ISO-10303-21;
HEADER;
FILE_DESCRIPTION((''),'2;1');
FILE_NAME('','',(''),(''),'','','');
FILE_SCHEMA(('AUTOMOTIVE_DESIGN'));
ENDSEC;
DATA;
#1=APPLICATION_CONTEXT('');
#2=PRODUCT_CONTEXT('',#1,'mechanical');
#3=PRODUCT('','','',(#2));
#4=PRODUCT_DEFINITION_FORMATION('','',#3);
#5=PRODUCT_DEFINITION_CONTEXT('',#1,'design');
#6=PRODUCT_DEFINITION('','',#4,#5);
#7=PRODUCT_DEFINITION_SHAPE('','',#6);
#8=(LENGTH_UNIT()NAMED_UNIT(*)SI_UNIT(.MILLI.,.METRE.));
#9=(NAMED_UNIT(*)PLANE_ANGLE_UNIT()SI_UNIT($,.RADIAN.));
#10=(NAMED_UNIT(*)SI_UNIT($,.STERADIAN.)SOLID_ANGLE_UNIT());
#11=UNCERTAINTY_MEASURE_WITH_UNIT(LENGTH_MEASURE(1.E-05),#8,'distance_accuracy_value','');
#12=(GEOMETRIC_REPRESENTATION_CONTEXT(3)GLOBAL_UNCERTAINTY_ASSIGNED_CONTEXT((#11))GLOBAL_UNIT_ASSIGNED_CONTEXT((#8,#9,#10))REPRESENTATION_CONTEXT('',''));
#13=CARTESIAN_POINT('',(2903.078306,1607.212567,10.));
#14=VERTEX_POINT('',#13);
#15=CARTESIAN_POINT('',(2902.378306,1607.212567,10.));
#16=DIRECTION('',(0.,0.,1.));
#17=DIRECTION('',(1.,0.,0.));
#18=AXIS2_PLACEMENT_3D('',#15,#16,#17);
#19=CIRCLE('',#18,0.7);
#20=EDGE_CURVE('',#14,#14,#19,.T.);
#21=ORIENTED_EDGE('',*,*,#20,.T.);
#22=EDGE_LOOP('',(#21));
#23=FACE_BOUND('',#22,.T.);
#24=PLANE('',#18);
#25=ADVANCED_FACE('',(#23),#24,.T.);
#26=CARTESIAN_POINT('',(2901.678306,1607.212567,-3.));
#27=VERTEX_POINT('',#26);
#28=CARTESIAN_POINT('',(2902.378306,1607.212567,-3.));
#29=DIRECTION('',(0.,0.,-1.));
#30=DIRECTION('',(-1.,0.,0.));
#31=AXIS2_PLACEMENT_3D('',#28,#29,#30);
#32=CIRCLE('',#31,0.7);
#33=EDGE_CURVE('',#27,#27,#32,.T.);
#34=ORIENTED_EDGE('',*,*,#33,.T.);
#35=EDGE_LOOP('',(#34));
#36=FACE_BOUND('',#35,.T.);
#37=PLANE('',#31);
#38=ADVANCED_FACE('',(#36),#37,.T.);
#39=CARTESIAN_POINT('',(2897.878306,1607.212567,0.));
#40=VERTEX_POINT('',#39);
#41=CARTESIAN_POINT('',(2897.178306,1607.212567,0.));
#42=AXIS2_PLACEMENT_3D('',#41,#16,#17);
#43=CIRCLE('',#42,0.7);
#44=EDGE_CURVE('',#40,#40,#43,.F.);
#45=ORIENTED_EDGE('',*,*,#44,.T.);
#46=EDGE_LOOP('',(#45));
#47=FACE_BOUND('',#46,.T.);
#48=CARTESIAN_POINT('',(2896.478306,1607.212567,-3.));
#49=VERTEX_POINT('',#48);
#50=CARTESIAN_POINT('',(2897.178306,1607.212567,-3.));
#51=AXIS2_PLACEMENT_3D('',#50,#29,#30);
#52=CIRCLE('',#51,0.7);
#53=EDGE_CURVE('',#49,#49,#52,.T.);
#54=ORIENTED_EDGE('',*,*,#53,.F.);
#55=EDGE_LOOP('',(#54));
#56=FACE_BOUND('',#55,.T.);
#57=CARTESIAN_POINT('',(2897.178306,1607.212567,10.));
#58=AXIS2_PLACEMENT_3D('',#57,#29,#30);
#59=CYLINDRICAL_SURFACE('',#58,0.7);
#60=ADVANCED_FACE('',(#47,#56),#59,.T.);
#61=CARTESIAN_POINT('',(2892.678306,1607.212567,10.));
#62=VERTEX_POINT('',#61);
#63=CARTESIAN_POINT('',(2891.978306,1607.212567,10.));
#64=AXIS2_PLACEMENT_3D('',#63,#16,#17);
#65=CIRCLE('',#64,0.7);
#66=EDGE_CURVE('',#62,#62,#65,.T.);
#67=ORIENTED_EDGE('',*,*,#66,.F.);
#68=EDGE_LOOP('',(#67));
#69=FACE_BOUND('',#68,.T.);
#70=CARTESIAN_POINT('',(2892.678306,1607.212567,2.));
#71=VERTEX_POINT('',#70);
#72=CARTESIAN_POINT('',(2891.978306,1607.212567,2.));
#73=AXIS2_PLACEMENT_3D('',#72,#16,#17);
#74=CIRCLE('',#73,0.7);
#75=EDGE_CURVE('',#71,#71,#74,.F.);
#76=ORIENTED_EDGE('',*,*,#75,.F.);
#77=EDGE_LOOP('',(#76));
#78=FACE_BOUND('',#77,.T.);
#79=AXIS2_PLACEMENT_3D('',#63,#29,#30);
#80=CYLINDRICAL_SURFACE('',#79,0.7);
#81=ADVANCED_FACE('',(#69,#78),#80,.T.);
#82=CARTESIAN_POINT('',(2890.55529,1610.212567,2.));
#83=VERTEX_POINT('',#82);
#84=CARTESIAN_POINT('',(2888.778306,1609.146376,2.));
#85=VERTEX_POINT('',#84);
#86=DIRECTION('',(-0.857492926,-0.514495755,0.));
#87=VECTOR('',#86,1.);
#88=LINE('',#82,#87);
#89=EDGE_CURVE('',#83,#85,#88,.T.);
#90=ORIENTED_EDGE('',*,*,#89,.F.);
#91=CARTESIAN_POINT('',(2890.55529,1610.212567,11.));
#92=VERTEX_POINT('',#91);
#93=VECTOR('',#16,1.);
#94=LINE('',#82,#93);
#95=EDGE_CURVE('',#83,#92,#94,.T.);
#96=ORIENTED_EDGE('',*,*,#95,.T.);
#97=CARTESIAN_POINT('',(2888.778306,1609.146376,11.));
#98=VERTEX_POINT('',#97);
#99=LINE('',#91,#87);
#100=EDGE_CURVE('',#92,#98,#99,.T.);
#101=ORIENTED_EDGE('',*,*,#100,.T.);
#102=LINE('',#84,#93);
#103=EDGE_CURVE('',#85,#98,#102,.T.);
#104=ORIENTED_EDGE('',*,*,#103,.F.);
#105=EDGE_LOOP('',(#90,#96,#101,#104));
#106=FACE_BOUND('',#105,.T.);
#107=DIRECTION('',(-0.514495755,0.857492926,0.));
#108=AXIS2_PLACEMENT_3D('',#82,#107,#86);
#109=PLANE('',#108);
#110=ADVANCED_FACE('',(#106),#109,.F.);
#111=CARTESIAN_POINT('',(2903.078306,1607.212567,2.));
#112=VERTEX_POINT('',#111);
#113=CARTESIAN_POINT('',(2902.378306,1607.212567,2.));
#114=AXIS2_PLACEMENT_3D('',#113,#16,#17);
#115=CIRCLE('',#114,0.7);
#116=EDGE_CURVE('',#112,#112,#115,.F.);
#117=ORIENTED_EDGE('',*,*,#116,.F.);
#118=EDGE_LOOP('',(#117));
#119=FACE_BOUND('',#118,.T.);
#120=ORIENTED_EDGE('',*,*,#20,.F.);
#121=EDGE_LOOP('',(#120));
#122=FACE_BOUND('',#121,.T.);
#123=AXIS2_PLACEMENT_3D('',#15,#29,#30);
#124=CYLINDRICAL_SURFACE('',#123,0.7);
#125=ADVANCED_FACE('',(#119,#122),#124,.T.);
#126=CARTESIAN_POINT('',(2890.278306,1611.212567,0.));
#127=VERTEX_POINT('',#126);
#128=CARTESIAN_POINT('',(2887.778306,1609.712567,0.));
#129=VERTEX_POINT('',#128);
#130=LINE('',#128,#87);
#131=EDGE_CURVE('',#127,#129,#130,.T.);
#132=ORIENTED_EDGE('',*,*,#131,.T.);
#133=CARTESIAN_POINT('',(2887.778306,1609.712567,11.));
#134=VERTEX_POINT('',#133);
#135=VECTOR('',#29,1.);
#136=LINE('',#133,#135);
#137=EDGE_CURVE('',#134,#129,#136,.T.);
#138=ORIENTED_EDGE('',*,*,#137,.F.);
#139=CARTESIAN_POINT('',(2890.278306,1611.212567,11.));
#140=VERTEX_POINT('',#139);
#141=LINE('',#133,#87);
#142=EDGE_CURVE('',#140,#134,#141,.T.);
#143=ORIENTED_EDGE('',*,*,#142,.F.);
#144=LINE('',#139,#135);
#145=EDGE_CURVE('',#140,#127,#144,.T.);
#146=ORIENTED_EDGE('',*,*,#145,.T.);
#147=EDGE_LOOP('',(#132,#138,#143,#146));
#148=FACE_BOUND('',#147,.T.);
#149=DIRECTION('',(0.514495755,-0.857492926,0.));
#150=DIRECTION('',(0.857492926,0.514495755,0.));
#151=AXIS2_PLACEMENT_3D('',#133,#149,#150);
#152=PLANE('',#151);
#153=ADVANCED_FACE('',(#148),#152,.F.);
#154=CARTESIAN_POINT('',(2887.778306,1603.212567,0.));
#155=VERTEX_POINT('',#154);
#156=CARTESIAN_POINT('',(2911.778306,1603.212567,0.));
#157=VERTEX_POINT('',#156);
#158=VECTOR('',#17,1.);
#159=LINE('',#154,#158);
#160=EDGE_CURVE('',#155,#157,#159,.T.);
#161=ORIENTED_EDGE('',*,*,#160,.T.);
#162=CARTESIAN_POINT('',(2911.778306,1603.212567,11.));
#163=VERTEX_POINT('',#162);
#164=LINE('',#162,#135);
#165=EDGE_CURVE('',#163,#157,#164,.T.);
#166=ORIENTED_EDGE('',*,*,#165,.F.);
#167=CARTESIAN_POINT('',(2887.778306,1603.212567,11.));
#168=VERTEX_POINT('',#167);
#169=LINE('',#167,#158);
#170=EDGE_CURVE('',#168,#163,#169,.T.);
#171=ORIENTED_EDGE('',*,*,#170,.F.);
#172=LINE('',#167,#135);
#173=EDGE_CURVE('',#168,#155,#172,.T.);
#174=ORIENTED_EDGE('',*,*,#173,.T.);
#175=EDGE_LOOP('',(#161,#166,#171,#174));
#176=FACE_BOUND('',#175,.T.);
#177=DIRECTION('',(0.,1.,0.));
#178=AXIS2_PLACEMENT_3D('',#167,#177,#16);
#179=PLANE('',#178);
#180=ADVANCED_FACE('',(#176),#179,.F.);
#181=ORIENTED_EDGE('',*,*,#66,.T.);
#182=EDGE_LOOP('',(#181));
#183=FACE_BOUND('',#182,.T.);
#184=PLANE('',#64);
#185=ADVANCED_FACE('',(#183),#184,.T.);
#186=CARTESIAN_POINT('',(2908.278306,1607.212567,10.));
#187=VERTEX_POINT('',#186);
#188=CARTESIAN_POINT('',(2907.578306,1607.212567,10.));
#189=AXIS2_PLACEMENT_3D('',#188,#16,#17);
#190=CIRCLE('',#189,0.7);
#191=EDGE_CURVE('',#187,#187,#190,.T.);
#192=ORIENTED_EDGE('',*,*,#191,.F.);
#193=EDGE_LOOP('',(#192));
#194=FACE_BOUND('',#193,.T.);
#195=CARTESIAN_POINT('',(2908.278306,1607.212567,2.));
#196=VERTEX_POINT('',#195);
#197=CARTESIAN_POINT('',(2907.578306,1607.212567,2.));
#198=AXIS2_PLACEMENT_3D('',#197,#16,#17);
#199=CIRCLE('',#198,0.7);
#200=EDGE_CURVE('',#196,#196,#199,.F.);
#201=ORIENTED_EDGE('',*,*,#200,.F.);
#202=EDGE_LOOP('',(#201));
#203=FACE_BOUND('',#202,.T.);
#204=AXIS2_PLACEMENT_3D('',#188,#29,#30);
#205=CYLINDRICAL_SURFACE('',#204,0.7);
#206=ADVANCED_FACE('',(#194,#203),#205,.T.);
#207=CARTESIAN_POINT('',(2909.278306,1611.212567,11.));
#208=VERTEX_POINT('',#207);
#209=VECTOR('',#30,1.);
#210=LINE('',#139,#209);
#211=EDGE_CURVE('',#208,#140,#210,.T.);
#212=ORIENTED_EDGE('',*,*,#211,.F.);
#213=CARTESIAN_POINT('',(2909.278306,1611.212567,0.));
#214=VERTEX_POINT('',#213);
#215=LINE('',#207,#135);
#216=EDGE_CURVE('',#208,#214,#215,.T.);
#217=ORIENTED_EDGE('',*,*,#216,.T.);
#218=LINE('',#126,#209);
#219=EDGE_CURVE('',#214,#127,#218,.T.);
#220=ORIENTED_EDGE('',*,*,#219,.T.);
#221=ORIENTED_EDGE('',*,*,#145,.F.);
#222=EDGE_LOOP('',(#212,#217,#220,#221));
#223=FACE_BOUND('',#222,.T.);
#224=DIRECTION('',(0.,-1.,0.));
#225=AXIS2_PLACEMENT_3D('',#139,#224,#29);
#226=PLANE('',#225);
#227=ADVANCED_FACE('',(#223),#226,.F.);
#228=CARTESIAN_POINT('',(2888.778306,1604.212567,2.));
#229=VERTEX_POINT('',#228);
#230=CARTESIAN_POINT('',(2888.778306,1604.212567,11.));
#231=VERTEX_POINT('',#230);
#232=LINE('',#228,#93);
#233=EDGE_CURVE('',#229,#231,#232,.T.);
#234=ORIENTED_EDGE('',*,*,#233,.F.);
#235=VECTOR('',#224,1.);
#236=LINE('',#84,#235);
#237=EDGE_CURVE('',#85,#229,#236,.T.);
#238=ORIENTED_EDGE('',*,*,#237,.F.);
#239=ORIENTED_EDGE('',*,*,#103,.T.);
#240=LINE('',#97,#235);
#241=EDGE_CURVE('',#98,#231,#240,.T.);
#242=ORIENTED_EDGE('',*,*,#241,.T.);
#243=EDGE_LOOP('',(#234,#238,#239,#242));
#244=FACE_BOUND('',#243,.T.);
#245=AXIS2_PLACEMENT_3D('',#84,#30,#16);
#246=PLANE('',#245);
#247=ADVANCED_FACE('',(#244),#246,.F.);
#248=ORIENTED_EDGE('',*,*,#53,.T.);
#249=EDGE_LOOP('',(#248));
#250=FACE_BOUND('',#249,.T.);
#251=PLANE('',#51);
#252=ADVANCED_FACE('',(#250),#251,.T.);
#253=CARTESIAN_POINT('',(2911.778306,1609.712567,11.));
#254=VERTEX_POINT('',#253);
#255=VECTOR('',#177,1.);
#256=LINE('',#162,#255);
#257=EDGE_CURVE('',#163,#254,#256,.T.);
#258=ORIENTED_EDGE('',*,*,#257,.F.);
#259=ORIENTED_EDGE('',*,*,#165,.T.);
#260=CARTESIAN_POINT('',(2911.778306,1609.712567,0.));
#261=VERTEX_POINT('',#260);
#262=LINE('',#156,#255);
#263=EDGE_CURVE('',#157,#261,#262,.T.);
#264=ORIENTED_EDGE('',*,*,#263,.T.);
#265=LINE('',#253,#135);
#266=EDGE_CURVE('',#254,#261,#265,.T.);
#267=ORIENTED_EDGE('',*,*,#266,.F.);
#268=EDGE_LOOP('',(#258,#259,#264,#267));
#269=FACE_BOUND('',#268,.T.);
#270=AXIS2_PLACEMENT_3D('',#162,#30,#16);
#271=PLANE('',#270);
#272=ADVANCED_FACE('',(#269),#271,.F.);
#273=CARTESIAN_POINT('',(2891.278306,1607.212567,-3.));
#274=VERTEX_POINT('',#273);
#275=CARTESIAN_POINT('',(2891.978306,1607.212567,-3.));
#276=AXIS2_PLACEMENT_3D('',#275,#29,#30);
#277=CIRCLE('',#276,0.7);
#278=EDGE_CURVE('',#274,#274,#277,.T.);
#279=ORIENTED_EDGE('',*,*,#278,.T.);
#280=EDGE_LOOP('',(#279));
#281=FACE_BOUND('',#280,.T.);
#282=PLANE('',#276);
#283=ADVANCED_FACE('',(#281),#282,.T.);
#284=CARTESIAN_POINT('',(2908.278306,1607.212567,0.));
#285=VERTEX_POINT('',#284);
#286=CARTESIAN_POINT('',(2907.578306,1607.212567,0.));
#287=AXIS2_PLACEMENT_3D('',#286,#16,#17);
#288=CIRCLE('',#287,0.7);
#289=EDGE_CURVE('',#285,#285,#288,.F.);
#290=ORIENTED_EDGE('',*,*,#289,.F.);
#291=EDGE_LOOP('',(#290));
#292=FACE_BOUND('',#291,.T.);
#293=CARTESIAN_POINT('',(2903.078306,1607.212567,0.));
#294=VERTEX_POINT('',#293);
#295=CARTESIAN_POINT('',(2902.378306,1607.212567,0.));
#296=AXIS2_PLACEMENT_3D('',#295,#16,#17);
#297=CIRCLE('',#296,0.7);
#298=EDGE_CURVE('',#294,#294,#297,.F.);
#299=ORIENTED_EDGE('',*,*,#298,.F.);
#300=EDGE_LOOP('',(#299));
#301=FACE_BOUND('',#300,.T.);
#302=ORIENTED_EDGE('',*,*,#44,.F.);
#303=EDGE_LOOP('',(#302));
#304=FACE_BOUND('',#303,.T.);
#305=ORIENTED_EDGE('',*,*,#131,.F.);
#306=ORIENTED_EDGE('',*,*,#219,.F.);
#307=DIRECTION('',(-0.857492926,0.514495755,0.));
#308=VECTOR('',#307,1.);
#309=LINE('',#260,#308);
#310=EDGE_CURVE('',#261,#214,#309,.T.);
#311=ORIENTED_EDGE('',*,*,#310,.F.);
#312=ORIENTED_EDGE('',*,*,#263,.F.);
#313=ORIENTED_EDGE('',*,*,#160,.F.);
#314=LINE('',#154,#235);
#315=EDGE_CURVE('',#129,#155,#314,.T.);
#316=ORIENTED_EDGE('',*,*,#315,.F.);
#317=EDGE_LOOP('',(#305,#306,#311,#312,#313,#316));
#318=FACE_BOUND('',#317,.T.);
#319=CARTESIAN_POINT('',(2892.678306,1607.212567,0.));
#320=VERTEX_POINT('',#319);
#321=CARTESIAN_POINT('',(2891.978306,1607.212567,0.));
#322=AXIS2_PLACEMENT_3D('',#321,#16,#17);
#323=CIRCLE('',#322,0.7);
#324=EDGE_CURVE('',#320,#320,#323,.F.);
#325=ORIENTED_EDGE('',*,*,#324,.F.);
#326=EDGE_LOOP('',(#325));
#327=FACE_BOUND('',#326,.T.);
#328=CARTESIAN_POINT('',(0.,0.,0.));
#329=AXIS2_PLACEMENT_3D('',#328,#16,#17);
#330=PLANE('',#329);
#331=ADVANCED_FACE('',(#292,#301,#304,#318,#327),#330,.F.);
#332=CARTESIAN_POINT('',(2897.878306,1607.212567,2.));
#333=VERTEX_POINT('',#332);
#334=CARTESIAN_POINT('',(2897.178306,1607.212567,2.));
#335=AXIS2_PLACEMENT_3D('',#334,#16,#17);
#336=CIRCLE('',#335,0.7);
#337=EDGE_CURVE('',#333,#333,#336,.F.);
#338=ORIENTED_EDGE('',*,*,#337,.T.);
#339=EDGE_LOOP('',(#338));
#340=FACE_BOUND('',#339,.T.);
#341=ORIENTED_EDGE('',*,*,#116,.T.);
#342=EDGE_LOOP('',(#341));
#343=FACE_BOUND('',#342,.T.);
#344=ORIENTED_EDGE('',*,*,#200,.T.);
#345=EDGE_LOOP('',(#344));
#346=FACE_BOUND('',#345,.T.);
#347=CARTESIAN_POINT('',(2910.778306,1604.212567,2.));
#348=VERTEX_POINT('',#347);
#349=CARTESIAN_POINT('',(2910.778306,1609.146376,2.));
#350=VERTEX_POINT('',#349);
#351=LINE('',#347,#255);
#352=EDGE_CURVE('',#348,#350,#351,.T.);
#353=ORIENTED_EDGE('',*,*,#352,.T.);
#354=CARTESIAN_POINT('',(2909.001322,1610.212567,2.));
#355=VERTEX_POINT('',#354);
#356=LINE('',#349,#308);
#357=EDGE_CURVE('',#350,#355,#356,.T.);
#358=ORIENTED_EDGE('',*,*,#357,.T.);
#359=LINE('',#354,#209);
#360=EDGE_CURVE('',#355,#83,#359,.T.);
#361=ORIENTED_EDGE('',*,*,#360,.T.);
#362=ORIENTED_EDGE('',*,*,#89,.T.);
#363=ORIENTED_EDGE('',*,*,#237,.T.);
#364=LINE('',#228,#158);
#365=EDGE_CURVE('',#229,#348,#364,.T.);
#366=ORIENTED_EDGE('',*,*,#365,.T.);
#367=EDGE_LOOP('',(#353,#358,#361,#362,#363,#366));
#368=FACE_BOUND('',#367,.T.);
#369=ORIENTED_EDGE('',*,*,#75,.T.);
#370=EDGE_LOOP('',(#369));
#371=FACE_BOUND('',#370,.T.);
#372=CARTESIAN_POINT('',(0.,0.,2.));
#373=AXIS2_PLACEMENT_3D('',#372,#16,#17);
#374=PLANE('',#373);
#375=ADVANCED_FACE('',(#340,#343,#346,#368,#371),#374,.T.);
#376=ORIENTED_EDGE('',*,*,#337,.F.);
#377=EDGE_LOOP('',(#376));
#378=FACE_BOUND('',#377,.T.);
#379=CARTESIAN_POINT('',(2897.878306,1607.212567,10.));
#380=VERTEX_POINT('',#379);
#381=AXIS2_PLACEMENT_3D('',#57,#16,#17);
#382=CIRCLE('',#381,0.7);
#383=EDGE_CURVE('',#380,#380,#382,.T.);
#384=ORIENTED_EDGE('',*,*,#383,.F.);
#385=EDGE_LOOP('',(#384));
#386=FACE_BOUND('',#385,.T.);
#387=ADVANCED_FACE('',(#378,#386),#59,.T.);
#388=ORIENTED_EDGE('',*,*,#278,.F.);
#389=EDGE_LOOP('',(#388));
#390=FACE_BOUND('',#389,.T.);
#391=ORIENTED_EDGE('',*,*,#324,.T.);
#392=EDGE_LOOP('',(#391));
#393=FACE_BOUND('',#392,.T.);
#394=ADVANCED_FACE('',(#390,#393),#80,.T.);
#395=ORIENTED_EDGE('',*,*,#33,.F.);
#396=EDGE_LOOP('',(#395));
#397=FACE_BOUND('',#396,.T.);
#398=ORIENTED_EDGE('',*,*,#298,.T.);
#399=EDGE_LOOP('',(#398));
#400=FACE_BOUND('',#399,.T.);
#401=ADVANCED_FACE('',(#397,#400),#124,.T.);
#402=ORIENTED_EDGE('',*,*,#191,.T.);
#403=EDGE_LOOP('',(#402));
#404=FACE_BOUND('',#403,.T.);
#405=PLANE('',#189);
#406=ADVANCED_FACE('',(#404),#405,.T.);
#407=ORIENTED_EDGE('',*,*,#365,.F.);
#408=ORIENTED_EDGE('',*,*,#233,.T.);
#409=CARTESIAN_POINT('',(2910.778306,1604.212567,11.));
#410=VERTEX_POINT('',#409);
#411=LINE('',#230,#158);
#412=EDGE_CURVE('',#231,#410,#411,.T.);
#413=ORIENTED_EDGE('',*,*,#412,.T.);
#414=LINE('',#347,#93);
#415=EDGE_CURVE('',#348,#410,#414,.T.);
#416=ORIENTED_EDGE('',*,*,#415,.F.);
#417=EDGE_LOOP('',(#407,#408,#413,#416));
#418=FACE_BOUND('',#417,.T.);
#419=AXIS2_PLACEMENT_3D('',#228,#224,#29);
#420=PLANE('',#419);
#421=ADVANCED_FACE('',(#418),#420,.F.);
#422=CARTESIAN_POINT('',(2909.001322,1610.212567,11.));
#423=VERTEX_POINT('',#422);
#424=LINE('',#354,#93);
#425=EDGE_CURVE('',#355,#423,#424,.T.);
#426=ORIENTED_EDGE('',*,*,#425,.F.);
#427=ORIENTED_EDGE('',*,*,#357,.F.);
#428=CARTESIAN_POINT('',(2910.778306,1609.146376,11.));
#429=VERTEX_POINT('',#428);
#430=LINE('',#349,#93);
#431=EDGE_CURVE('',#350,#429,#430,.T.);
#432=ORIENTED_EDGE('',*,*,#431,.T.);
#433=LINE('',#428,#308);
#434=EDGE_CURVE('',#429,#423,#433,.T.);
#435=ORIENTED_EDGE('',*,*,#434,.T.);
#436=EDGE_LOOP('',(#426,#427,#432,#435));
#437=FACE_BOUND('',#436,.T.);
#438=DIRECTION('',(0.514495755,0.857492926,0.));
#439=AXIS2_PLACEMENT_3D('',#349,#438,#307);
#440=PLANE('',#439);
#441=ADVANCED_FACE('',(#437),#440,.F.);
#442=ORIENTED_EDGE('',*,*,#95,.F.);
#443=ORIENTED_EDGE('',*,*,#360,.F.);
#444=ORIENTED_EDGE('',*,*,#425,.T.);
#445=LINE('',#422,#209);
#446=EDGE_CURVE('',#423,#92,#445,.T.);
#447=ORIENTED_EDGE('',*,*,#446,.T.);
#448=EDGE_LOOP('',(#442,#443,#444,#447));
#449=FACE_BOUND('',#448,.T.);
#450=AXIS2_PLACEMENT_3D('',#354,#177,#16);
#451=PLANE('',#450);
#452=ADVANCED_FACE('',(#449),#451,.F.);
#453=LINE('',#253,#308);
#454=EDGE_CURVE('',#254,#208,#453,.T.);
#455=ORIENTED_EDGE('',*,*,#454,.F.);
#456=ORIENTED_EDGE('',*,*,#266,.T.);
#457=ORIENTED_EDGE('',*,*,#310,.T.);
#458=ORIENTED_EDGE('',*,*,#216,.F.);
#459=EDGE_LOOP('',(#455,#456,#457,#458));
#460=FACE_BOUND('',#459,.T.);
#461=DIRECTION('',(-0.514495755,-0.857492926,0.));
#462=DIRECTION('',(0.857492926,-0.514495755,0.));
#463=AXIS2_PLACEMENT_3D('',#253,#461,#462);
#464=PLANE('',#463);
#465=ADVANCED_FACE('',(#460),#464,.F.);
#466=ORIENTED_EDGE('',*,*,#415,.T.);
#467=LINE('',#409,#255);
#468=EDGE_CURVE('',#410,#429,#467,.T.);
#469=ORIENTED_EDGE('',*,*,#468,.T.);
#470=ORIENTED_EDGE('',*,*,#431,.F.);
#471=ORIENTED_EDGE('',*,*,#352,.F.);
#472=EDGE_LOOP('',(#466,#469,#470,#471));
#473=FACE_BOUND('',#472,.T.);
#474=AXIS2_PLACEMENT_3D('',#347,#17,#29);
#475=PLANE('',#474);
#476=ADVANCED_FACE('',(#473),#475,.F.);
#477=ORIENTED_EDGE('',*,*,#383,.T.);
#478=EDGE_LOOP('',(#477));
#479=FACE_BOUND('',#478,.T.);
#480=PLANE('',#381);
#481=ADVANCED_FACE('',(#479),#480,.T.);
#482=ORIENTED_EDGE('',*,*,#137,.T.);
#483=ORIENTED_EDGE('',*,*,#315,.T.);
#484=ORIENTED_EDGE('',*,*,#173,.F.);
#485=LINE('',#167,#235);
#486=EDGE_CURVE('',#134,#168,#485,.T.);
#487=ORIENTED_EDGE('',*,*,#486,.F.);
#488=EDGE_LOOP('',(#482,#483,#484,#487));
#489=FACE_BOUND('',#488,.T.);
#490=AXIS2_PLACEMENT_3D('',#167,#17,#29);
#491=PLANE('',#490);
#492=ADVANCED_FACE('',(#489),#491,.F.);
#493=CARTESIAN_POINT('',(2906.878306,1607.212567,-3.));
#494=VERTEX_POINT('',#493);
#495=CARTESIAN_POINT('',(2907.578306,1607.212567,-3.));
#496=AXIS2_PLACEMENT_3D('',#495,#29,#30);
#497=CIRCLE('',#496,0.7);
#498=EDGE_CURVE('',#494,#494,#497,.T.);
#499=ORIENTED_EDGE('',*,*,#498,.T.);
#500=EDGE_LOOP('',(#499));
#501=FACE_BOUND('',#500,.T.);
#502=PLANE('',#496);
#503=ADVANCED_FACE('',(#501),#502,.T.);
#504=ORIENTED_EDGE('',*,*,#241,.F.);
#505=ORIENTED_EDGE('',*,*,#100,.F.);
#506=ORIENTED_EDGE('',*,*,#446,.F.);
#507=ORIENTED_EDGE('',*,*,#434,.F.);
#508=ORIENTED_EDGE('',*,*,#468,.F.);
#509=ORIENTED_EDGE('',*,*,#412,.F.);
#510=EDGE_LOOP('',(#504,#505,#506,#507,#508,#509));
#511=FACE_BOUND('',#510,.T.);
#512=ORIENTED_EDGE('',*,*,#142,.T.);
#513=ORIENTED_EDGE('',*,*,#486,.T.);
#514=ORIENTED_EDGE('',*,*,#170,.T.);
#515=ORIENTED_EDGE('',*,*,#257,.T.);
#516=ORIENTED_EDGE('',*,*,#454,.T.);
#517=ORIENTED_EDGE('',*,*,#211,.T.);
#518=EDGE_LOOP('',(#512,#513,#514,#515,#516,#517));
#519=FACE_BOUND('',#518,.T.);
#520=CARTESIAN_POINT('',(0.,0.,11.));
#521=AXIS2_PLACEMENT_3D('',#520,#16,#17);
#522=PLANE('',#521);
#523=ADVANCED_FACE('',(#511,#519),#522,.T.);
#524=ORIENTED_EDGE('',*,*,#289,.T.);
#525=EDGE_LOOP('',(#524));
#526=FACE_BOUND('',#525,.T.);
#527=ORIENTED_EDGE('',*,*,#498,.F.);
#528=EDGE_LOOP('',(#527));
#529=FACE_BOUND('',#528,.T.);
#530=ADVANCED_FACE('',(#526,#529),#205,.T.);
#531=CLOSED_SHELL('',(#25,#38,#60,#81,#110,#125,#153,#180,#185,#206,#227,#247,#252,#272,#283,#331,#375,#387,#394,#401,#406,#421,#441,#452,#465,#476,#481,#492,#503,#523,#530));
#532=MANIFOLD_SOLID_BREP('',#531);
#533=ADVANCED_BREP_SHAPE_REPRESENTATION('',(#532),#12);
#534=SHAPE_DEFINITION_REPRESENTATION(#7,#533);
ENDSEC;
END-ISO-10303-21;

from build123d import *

# Parameters (mm, degrees)
EXTRUDE_1_DEPTH        = 11
CUT_EXTRUDE_1_DEPTH    = 9
SKETCH_3_R             = 0.7
EXTRUDE_2_DEPTH        = 8
SKETCH_4_R             = 1.576566923
CUT_EXTRUDE_2_DEPTH    = 3
PATTERN_LINEAR_1_COUNT = 4
PATTERN_LINEAR_1_PITCH = 5.2


with BuildPart() as part:
    # Model → 凸台-拉伸1 (new body)
    with BuildSketch(Plane.XY):
        Polygon((2890.278305735, 1611.212566626), (2909.278305735, 1611.212566626), (2911.778305735, 1609.712566626), (2911.778305735, 1603.212566626), (2887.778305735, 1603.212566626), (2887.778305735, 1609.712566626), align=None)
    extrude(amount=EXTRUDE_1_DEPTH)

    # 草图2 → 切除-拉伸1 (cut)
    with BuildSketch(Plane.XY.offset(11)):
        Polygon((2890.5552897, 1610.212566626), (2888.778305735, 1609.146376247), (2888.778305735, 1604.212566626), (2910.778305735, 1604.212566626), (2910.778305735, 1609.146376247), (2909.00132177, 1610.212566626), align=None)
    extrude(amount=-CUT_EXTRUDE_1_DEPTH, mode=Mode.SUBTRACT)

    # 草图3 → 凸台-拉伸2 (add, symmetric)
    with BuildSketch(Plane.XY.offset(2)):
        with Locations((2891.978305735, 1607.212566626)):
            Circle(SKETCH_3_R)
    extrude_2 = extrude(amount=EXTRUDE_2_DEPTH, both=True)

    # 草图4 → 切除-拉伸2 (cut)
    with BuildSketch(Plane(origin=(0, 0, -6), x_dir=(-1, 0, 0), z_dir=(0, 0, -1))):
        with Locations((-2891.978305735, 1607.212566626)):
            Circle(SKETCH_4_R)
    cut_extrude_2 = extrude(amount=-CUT_EXTRUDE_2_DEPTH, mode=Mode.SUBTRACT)

    # 阵列(线性)1: 凸台-拉伸2, 切除-拉伸2 ×4
    with Locations(*[(i * PATTERN_LINEAR_1_PITCH, 0, 0) for i in range(1, PATTERN_LINEAR_1_COUNT)]):
        add(extrude_2)
        add(cut_extrude_2, mode=Mode.SUBTRACT)


solid = part.part
